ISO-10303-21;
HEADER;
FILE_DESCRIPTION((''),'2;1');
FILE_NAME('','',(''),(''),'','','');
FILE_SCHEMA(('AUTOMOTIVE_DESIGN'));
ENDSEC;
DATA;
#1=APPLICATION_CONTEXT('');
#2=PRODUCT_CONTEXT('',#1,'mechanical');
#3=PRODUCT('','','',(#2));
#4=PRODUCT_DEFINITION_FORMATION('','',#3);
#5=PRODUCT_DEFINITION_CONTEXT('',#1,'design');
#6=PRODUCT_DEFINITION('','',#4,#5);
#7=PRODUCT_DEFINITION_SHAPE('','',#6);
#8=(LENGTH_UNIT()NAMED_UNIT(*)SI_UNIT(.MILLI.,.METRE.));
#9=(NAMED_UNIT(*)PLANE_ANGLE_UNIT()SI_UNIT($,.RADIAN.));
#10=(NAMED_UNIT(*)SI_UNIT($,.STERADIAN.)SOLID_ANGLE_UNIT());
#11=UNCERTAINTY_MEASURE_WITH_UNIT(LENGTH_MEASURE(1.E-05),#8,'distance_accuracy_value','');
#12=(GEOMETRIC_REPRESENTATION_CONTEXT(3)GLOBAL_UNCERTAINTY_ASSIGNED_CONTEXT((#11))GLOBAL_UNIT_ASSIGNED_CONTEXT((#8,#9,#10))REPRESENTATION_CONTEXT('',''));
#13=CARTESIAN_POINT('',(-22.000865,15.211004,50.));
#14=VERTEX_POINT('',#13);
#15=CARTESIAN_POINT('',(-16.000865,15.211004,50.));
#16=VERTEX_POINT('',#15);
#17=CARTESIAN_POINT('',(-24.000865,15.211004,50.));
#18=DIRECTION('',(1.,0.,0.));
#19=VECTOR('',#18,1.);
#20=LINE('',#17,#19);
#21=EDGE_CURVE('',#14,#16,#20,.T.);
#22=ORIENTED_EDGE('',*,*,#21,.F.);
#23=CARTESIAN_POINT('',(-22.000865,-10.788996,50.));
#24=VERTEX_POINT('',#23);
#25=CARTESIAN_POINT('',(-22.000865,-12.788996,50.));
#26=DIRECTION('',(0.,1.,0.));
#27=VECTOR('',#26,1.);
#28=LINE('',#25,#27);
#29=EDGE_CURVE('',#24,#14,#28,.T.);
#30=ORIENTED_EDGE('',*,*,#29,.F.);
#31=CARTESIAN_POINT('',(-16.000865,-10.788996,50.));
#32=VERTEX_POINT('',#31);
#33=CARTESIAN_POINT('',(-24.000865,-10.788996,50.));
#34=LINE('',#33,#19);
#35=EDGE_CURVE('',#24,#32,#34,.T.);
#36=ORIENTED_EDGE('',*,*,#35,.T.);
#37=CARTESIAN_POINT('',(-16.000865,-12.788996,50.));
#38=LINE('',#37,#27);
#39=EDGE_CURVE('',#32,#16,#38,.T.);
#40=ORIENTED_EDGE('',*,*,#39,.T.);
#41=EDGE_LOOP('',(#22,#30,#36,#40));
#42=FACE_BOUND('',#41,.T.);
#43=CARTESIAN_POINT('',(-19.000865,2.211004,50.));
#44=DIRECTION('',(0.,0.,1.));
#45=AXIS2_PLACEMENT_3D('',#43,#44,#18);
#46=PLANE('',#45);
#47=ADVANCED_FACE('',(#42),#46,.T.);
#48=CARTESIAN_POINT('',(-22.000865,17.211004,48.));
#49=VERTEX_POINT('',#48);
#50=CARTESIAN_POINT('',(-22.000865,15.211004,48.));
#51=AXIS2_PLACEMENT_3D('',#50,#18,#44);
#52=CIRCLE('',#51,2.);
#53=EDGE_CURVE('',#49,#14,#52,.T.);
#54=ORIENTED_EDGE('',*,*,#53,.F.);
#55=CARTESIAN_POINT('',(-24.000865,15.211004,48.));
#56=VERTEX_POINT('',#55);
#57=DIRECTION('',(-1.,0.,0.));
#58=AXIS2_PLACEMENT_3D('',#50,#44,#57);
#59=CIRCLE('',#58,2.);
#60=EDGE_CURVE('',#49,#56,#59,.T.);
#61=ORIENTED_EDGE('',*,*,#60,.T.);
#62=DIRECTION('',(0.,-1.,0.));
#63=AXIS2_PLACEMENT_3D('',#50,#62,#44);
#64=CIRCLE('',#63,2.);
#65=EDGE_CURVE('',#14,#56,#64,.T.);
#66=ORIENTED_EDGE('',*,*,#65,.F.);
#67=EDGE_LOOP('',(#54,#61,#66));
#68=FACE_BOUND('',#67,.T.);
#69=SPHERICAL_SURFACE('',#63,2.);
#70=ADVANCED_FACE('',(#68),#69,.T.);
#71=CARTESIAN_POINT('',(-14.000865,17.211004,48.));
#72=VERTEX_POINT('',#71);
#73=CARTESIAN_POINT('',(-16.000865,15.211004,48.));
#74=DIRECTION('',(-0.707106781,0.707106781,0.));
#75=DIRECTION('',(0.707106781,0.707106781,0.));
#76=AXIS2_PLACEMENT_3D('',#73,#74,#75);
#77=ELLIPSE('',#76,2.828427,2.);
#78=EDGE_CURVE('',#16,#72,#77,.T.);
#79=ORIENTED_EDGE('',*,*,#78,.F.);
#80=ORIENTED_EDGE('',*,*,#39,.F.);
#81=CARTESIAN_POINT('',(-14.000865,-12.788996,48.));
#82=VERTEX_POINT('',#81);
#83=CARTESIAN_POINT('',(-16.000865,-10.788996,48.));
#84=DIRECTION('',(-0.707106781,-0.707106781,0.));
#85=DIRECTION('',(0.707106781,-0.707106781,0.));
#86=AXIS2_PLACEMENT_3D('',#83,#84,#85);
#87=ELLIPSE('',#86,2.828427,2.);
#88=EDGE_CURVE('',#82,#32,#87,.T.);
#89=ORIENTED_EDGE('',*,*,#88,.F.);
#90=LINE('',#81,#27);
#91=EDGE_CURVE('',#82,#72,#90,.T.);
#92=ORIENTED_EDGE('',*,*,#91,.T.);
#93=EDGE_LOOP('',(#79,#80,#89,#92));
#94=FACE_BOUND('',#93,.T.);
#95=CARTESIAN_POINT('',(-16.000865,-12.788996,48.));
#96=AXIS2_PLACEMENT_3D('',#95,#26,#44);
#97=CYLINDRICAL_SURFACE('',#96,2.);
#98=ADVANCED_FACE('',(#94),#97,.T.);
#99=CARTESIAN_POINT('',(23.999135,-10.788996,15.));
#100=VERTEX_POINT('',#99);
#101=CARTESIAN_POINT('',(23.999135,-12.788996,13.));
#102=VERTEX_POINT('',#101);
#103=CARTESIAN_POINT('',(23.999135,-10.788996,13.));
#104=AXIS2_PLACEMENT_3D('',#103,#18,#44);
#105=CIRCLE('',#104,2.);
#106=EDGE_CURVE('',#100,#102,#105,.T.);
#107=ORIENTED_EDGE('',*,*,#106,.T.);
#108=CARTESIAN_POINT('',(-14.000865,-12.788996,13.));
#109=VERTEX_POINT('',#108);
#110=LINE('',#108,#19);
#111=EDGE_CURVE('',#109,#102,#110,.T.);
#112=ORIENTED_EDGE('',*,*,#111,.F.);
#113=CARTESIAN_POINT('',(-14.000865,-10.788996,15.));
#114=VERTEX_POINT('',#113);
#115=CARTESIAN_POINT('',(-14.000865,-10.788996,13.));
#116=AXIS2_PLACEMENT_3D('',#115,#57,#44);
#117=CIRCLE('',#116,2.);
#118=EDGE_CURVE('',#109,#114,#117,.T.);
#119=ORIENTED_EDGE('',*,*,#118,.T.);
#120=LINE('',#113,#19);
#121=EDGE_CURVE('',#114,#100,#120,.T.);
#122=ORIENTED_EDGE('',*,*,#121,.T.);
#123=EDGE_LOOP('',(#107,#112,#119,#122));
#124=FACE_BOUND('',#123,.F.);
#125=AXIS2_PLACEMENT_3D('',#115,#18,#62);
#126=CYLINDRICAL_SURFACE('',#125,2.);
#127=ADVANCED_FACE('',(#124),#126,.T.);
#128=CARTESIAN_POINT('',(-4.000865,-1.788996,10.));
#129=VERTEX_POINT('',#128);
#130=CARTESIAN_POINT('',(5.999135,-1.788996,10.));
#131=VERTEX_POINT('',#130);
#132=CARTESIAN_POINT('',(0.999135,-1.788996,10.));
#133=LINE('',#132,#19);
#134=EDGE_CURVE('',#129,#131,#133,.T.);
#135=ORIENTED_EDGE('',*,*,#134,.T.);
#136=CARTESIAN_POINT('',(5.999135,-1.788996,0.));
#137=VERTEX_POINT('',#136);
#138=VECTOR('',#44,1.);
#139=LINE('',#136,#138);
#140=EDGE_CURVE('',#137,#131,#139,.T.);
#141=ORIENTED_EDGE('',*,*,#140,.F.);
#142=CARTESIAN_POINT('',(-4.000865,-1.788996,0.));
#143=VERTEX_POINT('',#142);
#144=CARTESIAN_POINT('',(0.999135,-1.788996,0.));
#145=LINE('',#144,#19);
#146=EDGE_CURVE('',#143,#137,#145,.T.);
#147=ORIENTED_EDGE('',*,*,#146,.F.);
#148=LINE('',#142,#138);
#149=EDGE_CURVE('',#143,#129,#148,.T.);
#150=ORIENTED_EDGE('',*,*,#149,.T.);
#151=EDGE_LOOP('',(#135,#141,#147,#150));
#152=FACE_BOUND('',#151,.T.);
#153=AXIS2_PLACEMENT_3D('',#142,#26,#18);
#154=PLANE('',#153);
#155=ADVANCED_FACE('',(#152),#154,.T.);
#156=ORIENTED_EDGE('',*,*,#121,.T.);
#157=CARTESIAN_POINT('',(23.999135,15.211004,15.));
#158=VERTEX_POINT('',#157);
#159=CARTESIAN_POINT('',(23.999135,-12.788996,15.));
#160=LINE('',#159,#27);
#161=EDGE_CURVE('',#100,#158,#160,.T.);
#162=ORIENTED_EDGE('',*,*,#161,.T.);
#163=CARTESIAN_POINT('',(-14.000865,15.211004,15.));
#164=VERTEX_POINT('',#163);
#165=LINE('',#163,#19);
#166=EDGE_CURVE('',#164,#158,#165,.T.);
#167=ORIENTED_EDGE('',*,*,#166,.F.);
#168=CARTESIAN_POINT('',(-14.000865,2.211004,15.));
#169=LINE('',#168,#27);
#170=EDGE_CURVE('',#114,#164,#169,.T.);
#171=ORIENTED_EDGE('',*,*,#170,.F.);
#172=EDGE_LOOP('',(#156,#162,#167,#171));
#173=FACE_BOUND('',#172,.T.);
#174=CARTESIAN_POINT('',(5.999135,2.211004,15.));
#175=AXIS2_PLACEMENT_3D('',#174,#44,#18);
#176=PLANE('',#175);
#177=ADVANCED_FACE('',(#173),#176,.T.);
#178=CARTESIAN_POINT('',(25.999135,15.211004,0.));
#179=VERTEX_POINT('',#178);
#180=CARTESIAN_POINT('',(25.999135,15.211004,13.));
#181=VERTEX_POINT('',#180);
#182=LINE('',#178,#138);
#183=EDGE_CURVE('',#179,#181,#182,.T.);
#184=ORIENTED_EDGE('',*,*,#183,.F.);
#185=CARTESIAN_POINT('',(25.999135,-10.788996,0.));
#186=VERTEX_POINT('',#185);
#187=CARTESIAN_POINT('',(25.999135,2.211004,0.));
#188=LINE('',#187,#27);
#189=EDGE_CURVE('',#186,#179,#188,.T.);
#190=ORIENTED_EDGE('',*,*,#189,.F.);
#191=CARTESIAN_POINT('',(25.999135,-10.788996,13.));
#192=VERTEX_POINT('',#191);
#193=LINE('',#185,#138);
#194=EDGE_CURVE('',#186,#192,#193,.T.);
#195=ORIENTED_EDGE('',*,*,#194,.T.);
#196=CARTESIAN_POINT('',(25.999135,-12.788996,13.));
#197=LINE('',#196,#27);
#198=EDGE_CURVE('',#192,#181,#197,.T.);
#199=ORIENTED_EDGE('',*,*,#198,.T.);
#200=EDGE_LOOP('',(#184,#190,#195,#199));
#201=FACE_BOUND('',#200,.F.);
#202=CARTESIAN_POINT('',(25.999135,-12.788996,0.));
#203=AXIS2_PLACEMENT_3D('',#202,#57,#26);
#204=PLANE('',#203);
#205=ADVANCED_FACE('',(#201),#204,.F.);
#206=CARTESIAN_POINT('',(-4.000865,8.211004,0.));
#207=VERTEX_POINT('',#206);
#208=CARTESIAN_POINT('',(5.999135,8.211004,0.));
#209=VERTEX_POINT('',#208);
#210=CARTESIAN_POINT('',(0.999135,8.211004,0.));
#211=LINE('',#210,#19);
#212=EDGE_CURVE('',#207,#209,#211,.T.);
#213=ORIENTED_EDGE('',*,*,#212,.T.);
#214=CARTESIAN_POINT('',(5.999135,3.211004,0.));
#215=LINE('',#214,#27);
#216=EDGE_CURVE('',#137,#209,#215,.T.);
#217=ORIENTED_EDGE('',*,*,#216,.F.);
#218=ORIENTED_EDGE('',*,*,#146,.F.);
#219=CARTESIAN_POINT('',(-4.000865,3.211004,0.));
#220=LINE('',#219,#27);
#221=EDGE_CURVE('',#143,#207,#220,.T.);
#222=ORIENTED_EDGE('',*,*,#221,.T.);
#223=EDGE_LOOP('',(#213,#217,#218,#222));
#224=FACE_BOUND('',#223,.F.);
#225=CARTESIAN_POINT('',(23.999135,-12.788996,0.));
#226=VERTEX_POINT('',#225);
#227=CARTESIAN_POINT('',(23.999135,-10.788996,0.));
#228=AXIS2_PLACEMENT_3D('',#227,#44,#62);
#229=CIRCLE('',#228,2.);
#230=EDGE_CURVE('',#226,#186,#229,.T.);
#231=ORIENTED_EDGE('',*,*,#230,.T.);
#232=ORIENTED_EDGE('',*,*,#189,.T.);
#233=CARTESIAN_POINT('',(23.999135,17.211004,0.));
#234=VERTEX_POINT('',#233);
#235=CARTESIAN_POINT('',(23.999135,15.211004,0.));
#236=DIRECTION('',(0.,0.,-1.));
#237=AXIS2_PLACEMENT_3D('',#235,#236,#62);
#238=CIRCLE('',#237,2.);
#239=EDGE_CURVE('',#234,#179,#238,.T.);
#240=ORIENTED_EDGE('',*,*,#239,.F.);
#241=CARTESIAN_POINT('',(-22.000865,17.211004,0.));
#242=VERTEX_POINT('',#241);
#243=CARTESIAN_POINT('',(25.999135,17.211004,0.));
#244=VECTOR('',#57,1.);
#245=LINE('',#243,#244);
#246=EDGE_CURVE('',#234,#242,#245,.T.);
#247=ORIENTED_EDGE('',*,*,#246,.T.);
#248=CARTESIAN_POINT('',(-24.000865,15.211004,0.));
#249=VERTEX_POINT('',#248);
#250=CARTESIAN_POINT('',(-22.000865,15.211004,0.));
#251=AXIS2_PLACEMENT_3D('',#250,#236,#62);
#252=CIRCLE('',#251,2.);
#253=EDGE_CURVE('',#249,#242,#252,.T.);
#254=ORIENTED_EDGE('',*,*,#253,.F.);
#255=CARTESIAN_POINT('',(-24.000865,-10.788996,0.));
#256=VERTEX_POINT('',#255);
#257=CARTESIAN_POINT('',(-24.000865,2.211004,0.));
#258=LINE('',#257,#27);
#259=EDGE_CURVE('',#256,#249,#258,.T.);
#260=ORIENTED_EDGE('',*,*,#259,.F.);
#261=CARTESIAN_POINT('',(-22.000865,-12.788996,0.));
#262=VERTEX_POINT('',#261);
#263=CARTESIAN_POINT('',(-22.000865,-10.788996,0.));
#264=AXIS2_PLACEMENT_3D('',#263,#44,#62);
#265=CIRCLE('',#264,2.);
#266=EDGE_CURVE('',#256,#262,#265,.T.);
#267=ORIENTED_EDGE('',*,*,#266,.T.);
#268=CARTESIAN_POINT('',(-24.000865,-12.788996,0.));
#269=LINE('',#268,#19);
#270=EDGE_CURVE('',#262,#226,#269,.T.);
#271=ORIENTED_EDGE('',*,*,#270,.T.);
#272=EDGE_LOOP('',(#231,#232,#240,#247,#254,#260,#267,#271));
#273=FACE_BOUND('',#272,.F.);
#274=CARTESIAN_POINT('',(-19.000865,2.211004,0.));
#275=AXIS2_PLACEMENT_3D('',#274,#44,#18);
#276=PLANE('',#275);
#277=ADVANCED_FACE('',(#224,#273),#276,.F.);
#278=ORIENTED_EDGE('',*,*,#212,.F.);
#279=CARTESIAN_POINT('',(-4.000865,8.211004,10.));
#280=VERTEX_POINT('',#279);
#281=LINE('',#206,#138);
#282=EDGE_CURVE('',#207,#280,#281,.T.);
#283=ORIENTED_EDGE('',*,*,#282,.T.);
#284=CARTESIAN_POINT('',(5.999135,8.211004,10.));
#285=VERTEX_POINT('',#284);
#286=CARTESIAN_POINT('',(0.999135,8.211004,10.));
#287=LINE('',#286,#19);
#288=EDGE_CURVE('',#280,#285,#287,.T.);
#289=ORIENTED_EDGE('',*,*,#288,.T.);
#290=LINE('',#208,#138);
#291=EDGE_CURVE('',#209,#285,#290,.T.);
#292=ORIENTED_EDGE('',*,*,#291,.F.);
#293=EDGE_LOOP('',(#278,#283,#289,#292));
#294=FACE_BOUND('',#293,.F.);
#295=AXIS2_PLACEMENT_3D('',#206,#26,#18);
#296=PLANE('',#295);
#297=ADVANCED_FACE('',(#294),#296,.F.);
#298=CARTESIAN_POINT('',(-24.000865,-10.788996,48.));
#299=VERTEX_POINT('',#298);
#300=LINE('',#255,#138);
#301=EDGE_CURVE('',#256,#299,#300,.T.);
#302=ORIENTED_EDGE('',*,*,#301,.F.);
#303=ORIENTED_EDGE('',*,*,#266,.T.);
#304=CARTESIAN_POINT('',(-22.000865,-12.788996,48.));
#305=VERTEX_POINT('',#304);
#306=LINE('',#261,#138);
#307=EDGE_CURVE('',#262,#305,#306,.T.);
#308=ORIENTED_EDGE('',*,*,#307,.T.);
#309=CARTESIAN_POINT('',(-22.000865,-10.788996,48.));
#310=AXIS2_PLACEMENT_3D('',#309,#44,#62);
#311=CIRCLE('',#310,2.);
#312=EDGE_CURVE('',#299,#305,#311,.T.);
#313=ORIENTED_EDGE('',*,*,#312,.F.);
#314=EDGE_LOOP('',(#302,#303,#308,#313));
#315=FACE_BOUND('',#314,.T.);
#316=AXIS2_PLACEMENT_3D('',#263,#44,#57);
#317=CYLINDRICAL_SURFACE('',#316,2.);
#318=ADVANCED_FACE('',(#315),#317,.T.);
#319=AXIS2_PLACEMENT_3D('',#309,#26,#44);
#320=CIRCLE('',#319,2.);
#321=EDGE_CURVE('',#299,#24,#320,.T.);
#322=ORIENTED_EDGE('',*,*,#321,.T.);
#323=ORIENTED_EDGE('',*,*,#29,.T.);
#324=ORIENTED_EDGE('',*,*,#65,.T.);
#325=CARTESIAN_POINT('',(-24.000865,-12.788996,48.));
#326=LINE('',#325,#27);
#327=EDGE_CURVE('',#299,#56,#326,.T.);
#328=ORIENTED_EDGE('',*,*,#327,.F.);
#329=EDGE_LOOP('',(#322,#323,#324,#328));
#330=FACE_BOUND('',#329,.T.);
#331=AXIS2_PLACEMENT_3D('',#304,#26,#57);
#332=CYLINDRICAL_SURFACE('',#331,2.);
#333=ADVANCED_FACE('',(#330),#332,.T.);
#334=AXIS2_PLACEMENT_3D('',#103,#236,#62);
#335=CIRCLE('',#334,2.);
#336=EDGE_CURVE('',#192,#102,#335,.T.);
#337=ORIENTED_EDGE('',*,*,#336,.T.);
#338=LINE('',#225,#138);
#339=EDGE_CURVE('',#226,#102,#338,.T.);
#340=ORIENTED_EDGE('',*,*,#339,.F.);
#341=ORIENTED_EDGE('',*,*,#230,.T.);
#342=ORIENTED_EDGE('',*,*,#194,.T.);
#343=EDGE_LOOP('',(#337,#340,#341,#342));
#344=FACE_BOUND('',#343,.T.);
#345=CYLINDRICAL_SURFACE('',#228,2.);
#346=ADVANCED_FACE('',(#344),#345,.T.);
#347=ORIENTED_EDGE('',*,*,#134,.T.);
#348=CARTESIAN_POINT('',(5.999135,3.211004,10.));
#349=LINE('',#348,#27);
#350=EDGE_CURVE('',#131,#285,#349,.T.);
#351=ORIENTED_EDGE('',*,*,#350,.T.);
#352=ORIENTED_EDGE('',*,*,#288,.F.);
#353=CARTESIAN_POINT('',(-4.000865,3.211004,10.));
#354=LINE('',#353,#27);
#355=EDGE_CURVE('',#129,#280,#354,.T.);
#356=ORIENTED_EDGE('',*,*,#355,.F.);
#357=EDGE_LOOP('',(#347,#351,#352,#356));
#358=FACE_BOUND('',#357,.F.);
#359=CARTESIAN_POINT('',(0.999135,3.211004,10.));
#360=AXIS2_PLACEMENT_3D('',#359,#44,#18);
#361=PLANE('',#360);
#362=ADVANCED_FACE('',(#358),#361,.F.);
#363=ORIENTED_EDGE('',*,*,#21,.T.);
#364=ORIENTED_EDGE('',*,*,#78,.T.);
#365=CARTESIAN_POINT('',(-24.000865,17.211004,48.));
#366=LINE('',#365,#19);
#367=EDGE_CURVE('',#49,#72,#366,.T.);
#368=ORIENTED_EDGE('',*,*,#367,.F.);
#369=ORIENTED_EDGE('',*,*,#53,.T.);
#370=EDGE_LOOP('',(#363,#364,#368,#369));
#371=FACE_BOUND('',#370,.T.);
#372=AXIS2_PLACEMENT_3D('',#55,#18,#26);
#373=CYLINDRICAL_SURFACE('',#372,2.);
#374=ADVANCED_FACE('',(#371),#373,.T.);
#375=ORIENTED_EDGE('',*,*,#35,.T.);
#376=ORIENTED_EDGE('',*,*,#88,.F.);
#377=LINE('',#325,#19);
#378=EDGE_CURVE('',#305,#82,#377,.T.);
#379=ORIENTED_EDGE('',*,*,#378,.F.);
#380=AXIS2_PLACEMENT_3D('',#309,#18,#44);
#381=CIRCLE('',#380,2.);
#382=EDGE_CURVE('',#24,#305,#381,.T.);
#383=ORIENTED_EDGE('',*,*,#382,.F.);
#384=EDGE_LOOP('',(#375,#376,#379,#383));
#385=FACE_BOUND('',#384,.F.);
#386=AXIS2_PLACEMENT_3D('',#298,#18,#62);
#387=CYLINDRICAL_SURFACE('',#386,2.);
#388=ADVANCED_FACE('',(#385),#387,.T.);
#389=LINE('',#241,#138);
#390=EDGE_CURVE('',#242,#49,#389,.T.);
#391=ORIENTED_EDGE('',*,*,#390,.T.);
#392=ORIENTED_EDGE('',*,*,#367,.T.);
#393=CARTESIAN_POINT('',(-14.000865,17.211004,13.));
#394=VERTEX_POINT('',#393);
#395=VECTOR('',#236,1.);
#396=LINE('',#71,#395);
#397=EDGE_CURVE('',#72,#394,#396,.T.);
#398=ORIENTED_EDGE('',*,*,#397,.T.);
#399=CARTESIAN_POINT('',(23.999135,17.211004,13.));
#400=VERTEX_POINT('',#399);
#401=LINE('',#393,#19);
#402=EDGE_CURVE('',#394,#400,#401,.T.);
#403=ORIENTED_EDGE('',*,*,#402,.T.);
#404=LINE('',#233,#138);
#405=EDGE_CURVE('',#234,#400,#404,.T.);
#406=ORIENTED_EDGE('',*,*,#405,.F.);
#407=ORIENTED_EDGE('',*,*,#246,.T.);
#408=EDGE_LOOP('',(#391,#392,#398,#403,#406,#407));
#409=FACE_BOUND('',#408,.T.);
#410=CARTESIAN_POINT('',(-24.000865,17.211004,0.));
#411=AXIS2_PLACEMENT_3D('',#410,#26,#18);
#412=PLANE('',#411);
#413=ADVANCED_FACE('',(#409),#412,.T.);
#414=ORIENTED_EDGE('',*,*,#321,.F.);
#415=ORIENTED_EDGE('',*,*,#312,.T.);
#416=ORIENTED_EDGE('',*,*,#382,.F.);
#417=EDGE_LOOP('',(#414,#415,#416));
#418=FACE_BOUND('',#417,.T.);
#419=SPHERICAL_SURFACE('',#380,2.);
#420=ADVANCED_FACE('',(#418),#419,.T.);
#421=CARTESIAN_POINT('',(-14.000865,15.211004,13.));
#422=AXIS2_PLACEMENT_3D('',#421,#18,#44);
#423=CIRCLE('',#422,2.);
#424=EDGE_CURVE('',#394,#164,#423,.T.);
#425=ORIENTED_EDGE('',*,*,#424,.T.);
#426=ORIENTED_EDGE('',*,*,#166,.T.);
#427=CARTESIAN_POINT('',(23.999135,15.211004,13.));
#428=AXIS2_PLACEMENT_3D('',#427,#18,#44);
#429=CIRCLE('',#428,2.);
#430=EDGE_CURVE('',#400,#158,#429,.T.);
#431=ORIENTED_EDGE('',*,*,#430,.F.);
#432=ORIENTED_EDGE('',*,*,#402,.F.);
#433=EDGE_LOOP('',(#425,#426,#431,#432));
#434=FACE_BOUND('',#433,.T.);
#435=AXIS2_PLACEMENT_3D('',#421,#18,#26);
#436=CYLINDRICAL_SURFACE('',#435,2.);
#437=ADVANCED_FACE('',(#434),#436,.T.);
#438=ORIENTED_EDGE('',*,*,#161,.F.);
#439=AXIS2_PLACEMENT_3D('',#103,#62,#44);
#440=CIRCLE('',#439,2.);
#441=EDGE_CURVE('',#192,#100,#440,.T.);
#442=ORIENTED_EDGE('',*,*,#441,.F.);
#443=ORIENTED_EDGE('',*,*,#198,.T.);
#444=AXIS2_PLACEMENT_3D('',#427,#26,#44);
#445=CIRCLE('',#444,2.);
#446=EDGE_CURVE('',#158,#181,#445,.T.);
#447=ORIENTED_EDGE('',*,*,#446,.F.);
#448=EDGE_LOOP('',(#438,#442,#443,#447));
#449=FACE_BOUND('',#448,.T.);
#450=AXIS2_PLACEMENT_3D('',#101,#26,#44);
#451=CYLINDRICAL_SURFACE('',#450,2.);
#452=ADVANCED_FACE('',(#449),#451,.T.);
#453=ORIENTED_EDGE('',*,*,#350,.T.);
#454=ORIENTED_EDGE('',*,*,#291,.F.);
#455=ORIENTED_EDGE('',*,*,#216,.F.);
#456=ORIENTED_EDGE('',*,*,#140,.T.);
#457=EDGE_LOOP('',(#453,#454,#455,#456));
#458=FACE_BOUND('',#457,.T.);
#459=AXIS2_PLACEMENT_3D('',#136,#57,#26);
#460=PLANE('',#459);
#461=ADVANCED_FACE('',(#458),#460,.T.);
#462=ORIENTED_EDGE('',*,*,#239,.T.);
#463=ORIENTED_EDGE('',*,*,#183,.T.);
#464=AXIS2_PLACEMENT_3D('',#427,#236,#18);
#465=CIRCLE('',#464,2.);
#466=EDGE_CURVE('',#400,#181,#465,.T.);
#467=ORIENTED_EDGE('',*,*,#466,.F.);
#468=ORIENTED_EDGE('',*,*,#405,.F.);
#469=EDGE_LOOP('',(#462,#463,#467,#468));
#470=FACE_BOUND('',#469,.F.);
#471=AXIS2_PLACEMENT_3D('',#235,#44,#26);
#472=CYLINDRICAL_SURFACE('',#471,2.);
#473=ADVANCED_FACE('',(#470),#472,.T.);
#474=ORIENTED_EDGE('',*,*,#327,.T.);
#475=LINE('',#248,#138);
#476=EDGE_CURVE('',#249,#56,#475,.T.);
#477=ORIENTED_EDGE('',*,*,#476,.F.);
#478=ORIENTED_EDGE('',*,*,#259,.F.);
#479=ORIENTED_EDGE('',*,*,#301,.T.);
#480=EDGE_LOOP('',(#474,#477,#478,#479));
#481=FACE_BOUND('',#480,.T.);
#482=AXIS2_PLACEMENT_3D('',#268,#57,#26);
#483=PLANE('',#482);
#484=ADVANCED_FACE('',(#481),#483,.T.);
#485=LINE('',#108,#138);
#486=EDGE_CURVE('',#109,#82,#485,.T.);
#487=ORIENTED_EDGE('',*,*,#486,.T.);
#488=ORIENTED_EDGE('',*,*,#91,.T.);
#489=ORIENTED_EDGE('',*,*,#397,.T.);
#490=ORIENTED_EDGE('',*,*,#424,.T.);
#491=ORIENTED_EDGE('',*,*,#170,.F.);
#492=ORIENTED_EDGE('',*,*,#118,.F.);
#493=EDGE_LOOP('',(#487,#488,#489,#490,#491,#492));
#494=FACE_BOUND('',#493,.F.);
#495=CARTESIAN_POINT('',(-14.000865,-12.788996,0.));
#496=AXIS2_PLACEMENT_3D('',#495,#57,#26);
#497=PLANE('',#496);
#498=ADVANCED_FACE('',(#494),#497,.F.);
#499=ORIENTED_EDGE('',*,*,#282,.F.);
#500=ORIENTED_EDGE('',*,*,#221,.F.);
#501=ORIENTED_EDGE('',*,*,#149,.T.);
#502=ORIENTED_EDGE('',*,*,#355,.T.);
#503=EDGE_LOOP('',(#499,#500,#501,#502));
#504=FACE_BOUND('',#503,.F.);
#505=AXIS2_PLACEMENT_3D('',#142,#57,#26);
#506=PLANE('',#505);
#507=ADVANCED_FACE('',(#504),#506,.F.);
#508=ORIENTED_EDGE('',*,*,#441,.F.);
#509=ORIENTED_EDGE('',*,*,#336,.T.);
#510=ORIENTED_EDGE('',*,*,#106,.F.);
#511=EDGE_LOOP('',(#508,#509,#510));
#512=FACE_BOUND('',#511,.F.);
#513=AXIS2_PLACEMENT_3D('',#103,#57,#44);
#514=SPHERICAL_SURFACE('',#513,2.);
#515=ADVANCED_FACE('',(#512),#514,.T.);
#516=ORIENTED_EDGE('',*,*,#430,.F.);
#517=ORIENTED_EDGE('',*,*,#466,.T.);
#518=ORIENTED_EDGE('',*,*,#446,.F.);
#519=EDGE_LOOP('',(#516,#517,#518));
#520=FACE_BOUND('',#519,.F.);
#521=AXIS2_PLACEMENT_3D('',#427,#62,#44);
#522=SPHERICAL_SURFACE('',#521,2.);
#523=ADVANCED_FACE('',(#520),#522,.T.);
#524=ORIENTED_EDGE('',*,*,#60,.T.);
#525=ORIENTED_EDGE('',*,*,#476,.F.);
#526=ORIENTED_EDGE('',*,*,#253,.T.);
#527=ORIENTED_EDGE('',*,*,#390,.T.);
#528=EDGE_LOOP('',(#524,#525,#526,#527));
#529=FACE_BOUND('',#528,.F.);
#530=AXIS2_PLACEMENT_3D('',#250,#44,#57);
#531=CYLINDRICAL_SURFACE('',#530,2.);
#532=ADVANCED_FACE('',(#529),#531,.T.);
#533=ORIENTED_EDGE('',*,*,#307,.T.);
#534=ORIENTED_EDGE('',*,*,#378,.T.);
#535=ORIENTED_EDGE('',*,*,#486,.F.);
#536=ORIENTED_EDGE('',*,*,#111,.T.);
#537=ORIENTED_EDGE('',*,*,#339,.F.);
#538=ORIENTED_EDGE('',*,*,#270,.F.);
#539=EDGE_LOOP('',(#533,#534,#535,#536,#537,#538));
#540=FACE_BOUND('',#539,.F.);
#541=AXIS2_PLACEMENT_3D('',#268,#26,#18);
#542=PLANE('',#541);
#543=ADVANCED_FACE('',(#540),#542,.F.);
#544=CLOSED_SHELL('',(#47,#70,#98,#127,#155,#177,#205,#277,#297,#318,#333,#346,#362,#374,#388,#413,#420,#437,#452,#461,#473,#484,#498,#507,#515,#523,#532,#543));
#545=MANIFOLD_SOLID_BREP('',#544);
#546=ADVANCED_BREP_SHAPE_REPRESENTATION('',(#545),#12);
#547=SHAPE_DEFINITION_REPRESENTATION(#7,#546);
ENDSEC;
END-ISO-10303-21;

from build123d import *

# Parameters (mm, degrees)
F0_W     = 40
F0_H     = 30
F1_DEPTH = 15
F0_W_2   = 10
F2_DEPTH = 50
F3_W     = 10
F3_H     = 10
F4_DEPTH = 10
F5_R     = 2


with BuildPart() as f1:
    # F0 (on Top) → F1 (new body)
    with BuildSketch(Plane.XY):
        with Locations((5.999135, 2.211004)):
            Rectangle(F0_W, F0_H)
    extrude(amount=F1_DEPTH)

    # F0 (on Top) → F2 (join)
    with BuildSketch(Plane.XY):
        with Locations((-19.000865, 2.211004)):
            Rectangle(F0_W_2, F0_H)
    extrude(amount=F2_DEPTH)

    # F3 (on face) → F4 (cut)
    with BuildSketch(Plane.XY):
        with Locations((0.999135, 3.211004)):
            Rectangle(F3_W, F3_H)
    extrude(amount=F4_DEPTH, mode=Mode.SUBTRACT)

    # F5
    f5_edges = [f1.edges().sort_by_distance(p)[0] for p in [
        (-19.000865, -12.788996, 50),
        (-14.000865, 2.211004, 50),
        (-24.000865, 2.211004, 50),
        (-19.000865, 17.211004, 50),
        (5.999135, -12.788996, 15),
        (25.999135, 2.211004, 15),
        (5.999135, 17.211004, 15),
        (25.999135, 17.211004, 7.5),
        (25.999135, -12.788996, 7.5),
        (-24.000865, 17.211004, 25),
        (-24.000865, -12.788996, 25),
    ]]
    fillet(f5_edges, radius=F5_R)


solid = f1.part
